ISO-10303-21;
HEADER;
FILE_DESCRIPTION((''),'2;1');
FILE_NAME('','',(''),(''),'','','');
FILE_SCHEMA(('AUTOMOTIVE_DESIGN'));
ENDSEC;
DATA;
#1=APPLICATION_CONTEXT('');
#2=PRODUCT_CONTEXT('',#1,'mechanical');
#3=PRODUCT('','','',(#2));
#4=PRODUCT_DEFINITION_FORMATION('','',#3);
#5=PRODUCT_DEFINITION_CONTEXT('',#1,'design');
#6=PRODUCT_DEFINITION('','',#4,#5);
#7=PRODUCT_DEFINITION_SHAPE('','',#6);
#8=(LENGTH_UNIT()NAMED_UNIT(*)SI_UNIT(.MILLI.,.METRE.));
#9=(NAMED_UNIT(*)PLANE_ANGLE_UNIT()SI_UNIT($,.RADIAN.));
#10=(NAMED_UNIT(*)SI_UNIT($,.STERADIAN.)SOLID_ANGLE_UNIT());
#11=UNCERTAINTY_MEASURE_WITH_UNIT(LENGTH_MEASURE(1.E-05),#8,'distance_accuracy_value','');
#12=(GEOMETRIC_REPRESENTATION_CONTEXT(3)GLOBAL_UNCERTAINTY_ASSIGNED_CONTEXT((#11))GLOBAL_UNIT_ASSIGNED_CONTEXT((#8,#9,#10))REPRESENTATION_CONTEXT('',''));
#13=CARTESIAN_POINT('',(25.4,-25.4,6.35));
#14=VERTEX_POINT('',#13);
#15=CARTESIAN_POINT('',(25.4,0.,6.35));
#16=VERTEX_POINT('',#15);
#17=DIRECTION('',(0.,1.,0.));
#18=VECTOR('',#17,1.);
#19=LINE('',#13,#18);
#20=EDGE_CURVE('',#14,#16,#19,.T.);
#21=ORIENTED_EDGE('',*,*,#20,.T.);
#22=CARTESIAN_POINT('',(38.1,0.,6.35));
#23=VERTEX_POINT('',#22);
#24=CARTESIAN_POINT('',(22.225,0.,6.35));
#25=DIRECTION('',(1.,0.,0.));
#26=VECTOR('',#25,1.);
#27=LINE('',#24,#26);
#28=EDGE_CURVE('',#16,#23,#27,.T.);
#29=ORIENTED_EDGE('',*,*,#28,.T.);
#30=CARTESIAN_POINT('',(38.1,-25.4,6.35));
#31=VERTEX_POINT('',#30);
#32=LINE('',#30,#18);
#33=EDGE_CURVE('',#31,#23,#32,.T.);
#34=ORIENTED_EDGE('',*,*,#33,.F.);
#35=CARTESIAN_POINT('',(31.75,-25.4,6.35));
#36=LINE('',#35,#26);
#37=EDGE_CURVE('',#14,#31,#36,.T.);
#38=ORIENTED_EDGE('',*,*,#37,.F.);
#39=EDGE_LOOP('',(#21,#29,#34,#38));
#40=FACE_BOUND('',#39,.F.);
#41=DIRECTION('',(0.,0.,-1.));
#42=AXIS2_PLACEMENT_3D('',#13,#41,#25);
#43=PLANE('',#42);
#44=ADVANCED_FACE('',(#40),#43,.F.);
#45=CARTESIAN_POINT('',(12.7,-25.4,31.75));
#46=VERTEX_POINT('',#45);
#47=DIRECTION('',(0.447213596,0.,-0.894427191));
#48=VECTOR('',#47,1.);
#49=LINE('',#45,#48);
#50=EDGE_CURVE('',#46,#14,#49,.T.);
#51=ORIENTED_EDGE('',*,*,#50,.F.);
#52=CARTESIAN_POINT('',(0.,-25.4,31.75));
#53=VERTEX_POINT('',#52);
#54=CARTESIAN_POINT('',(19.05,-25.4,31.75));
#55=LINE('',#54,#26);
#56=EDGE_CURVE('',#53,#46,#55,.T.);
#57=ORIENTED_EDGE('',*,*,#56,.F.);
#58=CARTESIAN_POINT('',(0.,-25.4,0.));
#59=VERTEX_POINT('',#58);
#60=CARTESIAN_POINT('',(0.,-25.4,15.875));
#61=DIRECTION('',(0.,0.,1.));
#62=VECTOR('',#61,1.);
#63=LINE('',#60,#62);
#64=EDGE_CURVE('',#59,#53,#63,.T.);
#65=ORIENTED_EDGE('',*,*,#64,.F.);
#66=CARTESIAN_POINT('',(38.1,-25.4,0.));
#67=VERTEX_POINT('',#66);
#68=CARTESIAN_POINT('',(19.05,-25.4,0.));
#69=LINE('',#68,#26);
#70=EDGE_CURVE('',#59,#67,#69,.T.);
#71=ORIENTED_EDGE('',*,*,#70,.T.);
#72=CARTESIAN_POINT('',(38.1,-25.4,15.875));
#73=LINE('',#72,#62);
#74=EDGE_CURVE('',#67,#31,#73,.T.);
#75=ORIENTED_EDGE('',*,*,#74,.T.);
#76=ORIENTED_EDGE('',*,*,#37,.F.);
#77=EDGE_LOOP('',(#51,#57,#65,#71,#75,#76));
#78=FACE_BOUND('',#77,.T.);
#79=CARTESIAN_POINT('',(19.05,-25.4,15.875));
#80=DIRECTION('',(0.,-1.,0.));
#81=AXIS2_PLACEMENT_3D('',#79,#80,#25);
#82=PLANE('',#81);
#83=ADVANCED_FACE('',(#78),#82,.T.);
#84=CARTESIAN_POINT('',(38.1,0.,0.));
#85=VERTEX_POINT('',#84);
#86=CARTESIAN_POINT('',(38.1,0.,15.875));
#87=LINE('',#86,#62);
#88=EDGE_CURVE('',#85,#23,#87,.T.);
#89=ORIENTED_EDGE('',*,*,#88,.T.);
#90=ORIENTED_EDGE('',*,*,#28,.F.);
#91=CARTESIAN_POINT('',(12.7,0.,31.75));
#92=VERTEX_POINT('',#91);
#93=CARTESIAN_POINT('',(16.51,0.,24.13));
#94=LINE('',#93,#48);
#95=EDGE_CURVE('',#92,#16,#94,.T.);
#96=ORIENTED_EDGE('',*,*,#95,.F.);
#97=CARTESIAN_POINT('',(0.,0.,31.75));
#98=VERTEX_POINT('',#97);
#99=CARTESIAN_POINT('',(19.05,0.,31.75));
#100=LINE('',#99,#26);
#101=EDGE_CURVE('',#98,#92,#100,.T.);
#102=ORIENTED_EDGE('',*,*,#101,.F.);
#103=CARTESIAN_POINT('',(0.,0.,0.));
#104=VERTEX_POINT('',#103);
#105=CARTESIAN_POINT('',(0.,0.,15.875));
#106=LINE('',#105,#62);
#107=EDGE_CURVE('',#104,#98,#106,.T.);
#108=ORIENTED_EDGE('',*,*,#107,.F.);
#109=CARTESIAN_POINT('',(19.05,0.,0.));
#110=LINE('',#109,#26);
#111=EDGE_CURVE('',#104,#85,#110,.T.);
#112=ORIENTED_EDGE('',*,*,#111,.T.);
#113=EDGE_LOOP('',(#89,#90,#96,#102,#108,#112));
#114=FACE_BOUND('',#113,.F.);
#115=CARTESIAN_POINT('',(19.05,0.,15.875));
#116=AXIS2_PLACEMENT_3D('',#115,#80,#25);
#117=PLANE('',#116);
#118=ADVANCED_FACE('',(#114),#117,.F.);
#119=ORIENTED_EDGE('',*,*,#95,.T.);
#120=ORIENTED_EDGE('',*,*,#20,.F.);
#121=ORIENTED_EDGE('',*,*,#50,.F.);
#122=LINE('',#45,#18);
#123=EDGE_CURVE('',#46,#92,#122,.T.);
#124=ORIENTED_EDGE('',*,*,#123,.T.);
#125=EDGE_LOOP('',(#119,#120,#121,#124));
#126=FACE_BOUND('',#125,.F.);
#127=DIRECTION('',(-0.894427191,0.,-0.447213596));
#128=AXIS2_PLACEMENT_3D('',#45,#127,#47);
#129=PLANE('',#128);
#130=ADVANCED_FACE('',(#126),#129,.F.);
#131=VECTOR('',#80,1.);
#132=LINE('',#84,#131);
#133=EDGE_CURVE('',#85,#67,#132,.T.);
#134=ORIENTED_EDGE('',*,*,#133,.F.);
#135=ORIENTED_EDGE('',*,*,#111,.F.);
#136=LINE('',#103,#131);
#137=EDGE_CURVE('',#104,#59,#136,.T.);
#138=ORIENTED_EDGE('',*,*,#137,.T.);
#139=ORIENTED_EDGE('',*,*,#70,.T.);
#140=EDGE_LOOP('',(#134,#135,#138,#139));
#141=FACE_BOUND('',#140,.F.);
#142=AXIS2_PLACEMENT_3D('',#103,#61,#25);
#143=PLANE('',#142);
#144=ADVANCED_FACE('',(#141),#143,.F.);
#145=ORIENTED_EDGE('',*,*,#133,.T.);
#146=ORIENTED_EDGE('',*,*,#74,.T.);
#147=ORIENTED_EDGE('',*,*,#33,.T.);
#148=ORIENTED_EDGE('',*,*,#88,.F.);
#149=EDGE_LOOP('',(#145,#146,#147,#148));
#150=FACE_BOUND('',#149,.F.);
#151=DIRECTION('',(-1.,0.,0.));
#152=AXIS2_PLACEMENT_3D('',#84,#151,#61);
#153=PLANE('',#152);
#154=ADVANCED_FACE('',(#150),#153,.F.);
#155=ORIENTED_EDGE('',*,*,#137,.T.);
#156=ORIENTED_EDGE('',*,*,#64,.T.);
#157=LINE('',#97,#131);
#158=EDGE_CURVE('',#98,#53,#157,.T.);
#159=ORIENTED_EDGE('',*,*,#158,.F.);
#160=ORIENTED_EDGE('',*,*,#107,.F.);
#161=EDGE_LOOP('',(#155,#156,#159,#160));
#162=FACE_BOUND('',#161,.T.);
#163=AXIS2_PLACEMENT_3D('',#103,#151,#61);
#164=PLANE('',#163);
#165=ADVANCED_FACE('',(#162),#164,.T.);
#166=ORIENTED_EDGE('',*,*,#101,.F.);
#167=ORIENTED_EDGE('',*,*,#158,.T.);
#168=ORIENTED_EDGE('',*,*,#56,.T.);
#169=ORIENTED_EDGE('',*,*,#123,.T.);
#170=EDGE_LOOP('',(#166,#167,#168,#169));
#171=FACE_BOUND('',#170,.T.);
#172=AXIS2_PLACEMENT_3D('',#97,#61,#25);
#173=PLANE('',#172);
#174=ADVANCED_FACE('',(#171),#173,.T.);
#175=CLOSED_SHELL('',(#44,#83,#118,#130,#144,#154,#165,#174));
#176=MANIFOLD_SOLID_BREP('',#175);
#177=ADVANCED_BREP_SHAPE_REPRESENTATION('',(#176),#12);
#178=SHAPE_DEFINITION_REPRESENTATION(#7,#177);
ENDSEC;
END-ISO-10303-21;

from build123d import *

# Parameters (mm, degrees)
F0_W     = 38.1
F0_H     = 31.75
F1_DEPTH = 25.4
F2_W     = 12.7
F2_H     = 25.4
F3_DEPTH = 25.401


with BuildPart() as f1:
    # F0 (on Front) → F1 (new body)
    with BuildSketch(Plane.XZ):
        with Locations((19.05, 15.875)):
            Rectangle(F0_W, F0_H)
    extrude(amount=F1_DEPTH)

    # F2 (on face) → F3 (cut, through all)
    with BuildSketch(Plane.XZ.offset(25.4)):
        Polygon((25.4, 6.35), (25.4, 31.75), (12.7, 31.75), align=None)
        with Locations((31.75, 19.05)):
            Rectangle(F2_W, F2_H)
    extrude(amount=-F3_DEPTH, mode=Mode.SUBTRACT)


solid = f1.part
